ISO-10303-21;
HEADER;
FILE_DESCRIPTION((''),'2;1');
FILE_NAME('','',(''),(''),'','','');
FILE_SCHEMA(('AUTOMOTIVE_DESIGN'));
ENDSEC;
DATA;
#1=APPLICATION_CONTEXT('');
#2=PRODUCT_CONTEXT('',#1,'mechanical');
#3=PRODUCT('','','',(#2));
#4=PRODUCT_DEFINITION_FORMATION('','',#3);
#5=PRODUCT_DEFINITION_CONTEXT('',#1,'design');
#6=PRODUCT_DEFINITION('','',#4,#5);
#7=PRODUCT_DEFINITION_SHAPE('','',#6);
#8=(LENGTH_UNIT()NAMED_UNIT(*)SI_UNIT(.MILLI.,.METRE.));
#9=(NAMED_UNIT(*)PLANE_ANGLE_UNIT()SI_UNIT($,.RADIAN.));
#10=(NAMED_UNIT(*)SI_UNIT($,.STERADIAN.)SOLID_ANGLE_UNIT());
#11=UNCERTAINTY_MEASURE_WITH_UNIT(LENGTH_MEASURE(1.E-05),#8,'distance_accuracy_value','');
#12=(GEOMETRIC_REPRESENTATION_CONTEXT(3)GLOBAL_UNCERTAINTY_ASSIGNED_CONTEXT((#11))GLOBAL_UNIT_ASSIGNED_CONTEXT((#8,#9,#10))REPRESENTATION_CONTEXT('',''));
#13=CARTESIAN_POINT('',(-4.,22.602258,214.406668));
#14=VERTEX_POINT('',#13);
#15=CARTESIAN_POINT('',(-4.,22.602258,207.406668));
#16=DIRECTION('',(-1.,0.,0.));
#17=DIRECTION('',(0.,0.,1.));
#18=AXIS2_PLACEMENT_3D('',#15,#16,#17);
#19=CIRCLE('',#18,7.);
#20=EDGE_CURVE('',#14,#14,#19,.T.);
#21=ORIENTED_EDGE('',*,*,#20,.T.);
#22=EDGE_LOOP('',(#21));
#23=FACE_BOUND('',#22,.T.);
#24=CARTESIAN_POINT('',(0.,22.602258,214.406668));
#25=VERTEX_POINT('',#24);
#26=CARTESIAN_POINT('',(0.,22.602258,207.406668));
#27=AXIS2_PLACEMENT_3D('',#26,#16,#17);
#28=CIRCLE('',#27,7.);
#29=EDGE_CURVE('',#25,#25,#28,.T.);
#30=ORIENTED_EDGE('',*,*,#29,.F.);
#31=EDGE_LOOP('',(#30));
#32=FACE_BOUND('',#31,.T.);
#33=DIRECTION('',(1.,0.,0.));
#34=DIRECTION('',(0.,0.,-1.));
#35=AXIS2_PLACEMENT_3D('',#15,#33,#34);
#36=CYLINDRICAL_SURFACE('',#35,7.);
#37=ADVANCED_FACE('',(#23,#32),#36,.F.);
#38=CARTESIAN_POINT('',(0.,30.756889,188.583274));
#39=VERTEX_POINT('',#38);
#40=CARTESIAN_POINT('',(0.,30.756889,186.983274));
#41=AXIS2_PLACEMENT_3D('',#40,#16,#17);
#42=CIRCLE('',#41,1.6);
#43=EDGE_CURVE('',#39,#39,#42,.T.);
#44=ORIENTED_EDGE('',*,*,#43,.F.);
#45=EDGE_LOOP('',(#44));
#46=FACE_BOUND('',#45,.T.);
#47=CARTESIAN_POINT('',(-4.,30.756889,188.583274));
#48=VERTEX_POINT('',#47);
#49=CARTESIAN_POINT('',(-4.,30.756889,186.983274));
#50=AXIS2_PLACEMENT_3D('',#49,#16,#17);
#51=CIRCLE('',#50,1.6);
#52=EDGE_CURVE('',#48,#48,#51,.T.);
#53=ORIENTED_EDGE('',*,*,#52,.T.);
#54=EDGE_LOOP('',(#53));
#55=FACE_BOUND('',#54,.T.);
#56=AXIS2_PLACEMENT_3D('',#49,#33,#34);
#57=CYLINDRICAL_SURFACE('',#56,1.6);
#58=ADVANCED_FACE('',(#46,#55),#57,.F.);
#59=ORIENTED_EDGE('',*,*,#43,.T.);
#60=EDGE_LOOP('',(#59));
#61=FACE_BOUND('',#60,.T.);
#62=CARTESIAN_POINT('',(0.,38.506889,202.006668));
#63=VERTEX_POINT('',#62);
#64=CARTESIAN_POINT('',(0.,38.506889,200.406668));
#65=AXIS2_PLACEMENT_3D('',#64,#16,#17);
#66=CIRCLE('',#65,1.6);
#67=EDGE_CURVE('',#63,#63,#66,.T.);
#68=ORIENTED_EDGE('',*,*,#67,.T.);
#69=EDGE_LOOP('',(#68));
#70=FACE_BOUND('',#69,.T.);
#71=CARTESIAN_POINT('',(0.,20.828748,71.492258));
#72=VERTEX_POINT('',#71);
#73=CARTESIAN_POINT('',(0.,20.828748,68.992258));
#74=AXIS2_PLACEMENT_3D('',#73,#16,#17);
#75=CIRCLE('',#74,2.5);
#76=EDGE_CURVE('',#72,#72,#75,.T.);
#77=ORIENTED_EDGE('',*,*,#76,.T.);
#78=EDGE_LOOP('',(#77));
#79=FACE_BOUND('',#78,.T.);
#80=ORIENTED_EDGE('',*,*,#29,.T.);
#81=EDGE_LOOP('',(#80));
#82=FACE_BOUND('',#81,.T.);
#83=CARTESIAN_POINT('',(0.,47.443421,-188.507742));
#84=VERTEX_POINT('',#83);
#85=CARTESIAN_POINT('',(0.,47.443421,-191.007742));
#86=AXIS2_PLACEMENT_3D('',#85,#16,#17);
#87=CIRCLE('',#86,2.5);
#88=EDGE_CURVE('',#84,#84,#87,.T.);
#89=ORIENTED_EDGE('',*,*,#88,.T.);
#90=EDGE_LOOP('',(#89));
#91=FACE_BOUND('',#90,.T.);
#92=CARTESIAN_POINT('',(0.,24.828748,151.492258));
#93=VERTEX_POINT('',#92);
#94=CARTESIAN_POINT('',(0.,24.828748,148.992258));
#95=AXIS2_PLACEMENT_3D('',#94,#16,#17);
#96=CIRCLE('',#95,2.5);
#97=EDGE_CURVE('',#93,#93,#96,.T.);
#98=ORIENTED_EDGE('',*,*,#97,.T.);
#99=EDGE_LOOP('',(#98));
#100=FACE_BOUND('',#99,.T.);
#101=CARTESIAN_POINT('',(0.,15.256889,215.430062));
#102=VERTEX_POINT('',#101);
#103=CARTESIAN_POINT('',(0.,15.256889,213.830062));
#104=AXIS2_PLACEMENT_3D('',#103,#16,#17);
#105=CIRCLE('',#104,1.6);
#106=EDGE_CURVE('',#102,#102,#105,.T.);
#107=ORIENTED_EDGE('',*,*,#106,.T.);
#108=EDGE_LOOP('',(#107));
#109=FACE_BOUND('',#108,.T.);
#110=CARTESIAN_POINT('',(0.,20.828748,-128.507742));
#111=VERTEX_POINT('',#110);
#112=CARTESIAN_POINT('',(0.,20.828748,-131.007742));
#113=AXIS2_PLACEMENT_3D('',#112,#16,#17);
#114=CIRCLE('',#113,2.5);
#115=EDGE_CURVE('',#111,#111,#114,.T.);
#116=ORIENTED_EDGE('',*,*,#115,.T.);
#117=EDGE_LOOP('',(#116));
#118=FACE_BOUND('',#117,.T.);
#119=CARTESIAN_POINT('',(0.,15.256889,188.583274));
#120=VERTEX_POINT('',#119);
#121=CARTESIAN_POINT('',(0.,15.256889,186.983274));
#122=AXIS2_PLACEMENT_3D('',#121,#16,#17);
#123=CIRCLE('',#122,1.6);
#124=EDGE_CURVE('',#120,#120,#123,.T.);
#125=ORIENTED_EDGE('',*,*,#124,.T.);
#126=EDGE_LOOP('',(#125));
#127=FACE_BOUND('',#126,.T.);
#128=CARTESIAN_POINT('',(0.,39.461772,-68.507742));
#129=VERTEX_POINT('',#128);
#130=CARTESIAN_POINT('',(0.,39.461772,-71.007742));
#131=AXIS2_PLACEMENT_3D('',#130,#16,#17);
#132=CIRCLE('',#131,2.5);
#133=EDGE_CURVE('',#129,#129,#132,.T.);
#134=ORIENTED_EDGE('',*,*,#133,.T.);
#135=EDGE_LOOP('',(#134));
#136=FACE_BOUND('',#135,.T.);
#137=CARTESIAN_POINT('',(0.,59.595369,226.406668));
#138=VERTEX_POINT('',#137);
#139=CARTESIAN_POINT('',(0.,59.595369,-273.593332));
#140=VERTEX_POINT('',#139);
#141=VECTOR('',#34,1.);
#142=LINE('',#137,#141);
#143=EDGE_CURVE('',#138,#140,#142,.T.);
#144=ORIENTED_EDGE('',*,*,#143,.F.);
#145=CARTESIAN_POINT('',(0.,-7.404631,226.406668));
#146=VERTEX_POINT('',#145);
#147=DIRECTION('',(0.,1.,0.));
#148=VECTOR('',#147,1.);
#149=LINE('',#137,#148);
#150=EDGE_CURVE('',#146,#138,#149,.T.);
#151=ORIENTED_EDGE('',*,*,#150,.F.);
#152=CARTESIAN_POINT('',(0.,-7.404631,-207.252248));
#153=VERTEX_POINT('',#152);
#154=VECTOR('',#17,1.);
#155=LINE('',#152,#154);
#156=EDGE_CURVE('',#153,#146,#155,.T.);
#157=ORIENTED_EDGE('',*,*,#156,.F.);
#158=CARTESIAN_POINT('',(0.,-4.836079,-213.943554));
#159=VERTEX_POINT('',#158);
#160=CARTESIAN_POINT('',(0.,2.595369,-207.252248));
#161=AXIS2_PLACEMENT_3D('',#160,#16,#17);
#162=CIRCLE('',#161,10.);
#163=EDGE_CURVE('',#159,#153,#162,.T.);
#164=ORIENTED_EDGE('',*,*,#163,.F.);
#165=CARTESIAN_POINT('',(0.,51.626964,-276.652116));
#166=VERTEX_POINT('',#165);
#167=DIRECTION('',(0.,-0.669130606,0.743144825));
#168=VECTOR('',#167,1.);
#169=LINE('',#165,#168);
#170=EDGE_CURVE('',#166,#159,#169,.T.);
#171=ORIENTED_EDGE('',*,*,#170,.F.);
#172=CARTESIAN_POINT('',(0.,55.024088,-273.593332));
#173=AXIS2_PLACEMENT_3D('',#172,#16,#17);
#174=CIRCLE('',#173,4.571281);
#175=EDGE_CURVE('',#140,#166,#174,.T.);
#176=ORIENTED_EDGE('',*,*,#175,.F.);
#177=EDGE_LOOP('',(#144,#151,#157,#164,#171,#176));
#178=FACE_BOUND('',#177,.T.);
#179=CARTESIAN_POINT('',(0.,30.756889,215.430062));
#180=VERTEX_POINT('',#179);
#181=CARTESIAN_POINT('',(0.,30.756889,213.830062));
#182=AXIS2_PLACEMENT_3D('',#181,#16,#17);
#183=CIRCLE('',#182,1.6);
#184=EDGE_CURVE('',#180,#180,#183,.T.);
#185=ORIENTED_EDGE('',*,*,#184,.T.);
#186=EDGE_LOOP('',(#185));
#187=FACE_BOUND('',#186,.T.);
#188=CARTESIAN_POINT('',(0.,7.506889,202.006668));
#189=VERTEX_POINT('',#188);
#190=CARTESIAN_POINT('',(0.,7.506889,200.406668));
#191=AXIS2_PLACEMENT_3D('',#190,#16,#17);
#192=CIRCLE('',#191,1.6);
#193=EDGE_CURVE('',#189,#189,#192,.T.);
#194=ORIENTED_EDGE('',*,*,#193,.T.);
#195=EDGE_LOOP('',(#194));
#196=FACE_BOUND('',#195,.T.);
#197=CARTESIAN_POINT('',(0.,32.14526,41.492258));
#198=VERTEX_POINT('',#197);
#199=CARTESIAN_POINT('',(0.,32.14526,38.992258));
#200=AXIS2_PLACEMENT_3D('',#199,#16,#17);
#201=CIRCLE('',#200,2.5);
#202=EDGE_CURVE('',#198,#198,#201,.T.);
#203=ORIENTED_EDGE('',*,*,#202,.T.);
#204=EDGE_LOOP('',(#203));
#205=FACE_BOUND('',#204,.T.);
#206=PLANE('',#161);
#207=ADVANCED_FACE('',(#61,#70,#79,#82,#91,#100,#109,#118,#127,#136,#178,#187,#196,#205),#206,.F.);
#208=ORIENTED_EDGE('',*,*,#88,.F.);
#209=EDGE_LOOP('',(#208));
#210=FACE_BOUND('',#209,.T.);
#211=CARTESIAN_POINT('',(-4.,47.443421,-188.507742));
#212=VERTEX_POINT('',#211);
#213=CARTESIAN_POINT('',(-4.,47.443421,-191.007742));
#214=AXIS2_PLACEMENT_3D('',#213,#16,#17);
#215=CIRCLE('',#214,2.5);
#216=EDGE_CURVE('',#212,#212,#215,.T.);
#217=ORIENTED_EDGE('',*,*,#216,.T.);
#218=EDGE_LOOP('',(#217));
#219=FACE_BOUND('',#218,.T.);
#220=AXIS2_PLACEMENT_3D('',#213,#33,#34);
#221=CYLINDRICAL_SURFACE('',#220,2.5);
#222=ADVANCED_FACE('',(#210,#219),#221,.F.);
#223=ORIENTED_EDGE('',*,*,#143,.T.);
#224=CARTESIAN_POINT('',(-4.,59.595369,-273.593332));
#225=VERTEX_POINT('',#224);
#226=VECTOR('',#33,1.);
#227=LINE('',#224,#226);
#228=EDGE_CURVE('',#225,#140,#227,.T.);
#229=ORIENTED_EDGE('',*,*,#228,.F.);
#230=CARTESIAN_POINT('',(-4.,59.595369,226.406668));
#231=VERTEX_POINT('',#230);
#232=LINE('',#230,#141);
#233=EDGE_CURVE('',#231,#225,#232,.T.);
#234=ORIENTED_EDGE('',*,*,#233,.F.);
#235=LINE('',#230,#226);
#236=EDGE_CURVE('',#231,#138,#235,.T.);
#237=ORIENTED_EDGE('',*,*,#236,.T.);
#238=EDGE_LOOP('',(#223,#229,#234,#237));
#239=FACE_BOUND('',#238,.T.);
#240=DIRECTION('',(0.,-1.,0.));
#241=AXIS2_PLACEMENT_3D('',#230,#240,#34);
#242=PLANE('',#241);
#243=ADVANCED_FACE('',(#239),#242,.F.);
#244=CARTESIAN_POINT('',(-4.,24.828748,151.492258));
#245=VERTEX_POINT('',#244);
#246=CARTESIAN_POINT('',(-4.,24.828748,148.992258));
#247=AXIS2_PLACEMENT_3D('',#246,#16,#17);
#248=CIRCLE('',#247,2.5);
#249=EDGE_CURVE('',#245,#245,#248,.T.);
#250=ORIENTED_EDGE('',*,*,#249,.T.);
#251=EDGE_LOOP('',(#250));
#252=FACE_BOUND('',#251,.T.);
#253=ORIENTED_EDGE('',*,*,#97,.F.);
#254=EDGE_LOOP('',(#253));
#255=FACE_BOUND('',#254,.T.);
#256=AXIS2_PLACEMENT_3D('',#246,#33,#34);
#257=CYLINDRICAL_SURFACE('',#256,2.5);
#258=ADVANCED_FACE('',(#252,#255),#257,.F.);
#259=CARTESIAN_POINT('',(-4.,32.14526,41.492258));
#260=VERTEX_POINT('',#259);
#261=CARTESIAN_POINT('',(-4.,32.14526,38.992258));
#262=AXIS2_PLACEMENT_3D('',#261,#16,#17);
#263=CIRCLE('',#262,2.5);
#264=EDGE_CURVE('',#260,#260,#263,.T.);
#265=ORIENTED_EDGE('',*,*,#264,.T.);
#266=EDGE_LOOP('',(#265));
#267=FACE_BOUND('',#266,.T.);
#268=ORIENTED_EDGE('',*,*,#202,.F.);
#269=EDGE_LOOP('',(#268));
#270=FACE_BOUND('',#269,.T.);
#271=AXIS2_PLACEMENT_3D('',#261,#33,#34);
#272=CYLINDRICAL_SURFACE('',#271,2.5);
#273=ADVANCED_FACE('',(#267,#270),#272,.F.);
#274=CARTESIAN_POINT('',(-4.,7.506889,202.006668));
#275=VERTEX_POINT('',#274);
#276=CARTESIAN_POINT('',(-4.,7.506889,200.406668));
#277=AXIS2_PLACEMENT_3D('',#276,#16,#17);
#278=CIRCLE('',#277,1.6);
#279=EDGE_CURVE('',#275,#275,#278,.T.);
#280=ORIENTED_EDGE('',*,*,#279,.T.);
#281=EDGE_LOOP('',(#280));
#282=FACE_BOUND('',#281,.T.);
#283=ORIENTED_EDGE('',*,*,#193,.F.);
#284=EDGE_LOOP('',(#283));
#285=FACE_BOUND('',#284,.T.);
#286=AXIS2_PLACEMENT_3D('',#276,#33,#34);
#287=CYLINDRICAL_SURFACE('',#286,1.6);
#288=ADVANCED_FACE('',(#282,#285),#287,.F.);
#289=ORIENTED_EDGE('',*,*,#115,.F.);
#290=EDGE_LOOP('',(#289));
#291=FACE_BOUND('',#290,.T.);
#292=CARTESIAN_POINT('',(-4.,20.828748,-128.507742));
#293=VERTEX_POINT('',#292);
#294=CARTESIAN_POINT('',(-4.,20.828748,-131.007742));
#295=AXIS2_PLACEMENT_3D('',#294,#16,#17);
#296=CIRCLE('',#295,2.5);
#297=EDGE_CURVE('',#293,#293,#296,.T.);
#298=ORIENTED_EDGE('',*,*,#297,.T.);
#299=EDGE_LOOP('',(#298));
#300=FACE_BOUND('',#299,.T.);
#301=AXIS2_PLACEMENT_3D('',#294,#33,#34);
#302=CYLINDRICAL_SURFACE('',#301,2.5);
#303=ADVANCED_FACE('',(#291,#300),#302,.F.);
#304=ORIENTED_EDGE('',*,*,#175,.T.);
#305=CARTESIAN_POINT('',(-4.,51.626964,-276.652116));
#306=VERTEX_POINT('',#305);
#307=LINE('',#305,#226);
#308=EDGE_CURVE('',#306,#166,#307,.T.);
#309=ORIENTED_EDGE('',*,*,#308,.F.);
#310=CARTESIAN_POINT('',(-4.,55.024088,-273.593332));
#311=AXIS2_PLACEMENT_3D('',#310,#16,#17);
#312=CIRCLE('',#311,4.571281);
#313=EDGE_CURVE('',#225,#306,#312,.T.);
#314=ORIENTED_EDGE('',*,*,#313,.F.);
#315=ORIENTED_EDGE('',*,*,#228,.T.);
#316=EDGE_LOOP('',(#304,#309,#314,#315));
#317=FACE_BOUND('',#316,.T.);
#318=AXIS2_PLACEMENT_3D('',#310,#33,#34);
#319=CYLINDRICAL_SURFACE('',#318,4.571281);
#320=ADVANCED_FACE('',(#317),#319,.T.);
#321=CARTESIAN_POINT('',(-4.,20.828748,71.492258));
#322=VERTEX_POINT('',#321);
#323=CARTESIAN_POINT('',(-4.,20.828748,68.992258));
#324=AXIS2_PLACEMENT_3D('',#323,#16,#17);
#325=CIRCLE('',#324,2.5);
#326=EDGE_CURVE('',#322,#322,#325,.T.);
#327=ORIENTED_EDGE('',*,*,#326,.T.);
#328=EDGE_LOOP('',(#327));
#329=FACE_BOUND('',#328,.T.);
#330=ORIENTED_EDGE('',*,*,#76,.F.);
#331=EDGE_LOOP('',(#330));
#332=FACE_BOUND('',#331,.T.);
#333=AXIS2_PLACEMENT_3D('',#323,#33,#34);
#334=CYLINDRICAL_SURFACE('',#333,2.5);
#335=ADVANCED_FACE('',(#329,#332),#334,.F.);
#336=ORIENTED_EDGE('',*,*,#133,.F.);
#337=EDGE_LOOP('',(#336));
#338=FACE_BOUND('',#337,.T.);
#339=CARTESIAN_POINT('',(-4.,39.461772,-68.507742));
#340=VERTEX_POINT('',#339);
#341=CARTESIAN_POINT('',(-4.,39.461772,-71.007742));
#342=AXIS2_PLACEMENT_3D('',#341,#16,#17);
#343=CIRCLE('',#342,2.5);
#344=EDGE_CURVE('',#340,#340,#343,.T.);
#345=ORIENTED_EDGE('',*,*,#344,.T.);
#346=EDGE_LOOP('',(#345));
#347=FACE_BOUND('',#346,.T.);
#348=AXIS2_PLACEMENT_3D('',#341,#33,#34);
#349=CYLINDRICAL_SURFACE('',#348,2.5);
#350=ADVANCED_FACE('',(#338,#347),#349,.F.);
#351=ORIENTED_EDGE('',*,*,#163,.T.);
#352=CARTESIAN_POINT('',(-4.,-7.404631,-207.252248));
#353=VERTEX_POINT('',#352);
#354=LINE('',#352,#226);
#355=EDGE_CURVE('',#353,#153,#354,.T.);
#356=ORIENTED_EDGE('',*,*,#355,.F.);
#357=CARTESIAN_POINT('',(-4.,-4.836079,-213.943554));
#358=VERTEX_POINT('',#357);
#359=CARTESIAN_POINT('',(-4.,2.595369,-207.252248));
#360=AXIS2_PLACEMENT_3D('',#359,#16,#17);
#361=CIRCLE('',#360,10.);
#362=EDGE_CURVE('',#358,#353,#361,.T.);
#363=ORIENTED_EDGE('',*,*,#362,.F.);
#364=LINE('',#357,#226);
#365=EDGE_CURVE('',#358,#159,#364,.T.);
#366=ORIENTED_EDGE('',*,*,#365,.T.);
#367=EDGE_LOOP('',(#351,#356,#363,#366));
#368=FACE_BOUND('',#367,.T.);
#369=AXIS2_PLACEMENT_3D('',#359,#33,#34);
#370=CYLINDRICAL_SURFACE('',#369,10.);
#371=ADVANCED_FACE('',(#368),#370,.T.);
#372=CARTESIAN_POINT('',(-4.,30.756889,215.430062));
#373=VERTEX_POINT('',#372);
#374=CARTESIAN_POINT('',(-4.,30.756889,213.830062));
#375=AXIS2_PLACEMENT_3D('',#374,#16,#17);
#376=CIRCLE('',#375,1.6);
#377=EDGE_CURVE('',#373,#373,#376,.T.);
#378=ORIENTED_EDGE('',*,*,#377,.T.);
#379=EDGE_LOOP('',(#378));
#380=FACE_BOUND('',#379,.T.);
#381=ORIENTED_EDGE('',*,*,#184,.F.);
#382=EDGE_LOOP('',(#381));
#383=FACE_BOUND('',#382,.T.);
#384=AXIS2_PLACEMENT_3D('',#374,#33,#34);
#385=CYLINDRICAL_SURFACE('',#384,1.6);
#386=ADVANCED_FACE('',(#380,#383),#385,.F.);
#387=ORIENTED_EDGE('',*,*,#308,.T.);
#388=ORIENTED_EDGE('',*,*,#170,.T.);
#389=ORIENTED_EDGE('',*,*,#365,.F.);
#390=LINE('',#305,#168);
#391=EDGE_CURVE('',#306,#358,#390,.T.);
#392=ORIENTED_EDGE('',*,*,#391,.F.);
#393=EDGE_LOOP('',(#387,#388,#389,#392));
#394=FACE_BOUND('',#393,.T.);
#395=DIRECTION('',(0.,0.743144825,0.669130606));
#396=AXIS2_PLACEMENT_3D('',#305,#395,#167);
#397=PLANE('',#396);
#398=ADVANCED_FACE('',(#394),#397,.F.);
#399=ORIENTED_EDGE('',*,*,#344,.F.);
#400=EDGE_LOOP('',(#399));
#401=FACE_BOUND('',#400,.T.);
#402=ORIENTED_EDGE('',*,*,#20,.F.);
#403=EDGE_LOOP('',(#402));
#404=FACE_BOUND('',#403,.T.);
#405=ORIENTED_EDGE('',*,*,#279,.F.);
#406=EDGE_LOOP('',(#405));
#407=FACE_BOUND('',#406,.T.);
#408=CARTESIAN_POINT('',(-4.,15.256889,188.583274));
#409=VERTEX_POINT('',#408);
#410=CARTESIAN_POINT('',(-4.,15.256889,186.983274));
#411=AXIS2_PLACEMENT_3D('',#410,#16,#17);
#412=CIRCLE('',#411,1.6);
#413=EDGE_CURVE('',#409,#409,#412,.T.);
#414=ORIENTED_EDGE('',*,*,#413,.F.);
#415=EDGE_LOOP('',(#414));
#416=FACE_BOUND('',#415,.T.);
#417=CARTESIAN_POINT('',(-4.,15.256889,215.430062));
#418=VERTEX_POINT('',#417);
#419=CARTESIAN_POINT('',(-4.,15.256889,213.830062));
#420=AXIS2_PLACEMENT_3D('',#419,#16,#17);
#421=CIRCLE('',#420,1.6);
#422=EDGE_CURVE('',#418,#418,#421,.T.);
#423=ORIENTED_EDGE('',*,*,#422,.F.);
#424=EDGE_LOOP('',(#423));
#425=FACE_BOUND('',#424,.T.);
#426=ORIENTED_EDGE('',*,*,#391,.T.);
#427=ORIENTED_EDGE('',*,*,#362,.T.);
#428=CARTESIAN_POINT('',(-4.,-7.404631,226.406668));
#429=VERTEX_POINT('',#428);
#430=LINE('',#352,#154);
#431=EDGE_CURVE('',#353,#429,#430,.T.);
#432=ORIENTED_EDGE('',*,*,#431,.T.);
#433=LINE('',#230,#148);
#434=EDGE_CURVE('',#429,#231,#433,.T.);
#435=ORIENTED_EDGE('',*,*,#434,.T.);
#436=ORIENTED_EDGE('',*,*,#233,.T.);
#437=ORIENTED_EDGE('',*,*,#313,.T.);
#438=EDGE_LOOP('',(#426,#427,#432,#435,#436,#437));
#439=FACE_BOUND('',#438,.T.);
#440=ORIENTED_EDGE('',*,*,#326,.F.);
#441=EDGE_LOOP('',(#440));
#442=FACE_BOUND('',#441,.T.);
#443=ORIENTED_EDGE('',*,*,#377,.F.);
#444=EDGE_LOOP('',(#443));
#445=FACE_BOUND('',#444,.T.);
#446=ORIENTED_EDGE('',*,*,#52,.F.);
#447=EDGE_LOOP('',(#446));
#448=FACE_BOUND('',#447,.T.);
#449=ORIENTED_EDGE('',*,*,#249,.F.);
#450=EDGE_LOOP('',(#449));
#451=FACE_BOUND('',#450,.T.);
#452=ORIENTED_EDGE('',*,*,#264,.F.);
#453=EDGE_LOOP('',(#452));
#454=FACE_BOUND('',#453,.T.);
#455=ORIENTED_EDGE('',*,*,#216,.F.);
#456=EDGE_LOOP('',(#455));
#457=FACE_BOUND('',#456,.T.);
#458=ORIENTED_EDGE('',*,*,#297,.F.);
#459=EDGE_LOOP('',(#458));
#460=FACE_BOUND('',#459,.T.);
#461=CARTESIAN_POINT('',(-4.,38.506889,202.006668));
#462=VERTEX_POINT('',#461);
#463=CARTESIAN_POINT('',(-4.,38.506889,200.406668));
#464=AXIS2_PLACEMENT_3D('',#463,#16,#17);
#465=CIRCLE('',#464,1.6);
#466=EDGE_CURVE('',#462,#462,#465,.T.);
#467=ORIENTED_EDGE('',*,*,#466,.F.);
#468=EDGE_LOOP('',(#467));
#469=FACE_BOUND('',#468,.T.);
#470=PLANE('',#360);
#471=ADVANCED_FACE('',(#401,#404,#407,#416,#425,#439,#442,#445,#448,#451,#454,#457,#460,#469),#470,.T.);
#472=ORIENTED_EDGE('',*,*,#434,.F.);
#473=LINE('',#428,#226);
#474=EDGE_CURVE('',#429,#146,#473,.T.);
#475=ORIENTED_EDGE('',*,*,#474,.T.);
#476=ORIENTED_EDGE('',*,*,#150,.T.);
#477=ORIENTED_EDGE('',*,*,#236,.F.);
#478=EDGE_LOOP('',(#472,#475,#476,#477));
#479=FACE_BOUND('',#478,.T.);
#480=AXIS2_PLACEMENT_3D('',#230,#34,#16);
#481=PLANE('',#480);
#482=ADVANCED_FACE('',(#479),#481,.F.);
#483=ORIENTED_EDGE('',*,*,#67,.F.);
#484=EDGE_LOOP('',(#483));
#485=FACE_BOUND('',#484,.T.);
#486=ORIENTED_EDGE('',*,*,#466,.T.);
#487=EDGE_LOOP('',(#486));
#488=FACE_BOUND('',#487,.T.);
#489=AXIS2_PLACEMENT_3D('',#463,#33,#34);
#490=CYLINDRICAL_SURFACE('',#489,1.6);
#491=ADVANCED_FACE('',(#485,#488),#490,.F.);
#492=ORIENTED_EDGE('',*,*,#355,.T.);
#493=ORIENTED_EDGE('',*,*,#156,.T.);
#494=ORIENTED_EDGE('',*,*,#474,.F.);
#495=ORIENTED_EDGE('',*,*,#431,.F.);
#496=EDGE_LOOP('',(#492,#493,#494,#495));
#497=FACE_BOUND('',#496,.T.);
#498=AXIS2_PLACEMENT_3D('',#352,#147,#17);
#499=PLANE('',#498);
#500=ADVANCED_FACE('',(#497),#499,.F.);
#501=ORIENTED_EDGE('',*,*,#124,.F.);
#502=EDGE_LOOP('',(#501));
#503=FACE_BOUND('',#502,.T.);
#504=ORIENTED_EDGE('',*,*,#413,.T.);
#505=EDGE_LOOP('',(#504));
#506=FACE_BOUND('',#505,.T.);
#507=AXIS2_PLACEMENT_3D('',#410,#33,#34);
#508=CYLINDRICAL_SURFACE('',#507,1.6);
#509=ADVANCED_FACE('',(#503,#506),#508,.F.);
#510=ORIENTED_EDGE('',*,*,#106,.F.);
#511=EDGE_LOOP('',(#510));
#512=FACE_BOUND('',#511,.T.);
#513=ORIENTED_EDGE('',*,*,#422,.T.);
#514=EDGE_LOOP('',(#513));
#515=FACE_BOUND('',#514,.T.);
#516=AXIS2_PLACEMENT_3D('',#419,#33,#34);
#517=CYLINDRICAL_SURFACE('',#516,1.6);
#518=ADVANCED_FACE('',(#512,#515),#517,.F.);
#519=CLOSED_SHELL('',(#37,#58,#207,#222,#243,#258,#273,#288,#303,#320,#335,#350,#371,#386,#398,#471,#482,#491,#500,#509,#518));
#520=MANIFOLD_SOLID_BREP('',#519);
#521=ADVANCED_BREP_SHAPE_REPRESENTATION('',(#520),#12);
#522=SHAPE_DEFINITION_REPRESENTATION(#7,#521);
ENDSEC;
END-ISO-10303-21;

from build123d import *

# Parameters (mm, degrees)
SKETCH_1_R      = 2.5
SKETCH_1_R_2    = 7
SKETCH_1_R_3    = 1.6
EXTRUDE_1_DEPTH = 4


with BuildPart() as part:
    # 草图1 → 凸台-拉伸1 (new body)
    with BuildSketch(Plane.ZY):
        with BuildLine():
            Line((-207.252247772, -7.404631077), (226.406668198, -7.404631077))
            Line((226.406668198, -7.404631077), (226.406668198, 59.595368923))
            Line((226.406668198, 59.595368923), (-273.593331802, 59.595368923))
            ThreePointArc((-273.593331802, 59.595368923), (-277.860990507, 56.662288358), (-276.652116001, 51.626963655))
            Line((-276.652116001, 51.626963655), (-213.943553835, -4.836079331))
            ThreePointArc((-213.943553835, -4.836079331), (-210.835927267, -6.740435342), (-207.252247772, -7.404631077))
        make_face()
        with Locations((-191.007742204, 47.443421044)):
            Circle(SKETCH_1_R, mode=Mode.SUBTRACT)
        with Locations((68.992257796, 20.828748174)):
            Circle(SKETCH_1_R, mode=Mode.SUBTRACT)
        with Locations((38.992257796, 32.145259985)):
            Circle(SKETCH_1_R, mode=Mode.SUBTRACT)
        with Locations((-131.007742204, 20.828748174)):
            Circle(SKETCH_1_R, mode=Mode.SUBTRACT)
        with Locations((207.406668198, 22.602258186)):
            Circle(SKETCH_1_R_2, mode=Mode.SUBTRACT)
        with Locations((148.992257796, 24.828748174)):
            Circle(SKETCH_1_R, mode=Mode.SUBTRACT)
        with Locations((-71.007742204, 39.461771796)):
            Circle(SKETCH_1_R, mode=Mode.SUBTRACT)
        with Locations((213.830061956, 30.756889262)):
            Circle(SKETCH_1_R_3, mode=Mode.SUBTRACT)
        with Locations((200.406668198, 38.506889262)):
            Circle(SKETCH_1_R_3, mode=Mode.SUBTRACT)
        with Locations((186.983274439, 30.756889262)):
            Circle(SKETCH_1_R_3, mode=Mode.SUBTRACT)
        with Locations((186.983274439, 15.256889262)):
            Circle(SKETCH_1_R_3, mode=Mode.SUBTRACT)
        with Locations((200.406668198, 7.506889262)):
            Circle(SKETCH_1_R_3, mode=Mode.SUBTRACT)
        with Locations((213.830061956, 15.256889262)):
            Circle(SKETCH_1_R_3, mode=Mode.SUBTRACT)
    extrude(amount=EXTRUDE_1_DEPTH)


solid = part.part
